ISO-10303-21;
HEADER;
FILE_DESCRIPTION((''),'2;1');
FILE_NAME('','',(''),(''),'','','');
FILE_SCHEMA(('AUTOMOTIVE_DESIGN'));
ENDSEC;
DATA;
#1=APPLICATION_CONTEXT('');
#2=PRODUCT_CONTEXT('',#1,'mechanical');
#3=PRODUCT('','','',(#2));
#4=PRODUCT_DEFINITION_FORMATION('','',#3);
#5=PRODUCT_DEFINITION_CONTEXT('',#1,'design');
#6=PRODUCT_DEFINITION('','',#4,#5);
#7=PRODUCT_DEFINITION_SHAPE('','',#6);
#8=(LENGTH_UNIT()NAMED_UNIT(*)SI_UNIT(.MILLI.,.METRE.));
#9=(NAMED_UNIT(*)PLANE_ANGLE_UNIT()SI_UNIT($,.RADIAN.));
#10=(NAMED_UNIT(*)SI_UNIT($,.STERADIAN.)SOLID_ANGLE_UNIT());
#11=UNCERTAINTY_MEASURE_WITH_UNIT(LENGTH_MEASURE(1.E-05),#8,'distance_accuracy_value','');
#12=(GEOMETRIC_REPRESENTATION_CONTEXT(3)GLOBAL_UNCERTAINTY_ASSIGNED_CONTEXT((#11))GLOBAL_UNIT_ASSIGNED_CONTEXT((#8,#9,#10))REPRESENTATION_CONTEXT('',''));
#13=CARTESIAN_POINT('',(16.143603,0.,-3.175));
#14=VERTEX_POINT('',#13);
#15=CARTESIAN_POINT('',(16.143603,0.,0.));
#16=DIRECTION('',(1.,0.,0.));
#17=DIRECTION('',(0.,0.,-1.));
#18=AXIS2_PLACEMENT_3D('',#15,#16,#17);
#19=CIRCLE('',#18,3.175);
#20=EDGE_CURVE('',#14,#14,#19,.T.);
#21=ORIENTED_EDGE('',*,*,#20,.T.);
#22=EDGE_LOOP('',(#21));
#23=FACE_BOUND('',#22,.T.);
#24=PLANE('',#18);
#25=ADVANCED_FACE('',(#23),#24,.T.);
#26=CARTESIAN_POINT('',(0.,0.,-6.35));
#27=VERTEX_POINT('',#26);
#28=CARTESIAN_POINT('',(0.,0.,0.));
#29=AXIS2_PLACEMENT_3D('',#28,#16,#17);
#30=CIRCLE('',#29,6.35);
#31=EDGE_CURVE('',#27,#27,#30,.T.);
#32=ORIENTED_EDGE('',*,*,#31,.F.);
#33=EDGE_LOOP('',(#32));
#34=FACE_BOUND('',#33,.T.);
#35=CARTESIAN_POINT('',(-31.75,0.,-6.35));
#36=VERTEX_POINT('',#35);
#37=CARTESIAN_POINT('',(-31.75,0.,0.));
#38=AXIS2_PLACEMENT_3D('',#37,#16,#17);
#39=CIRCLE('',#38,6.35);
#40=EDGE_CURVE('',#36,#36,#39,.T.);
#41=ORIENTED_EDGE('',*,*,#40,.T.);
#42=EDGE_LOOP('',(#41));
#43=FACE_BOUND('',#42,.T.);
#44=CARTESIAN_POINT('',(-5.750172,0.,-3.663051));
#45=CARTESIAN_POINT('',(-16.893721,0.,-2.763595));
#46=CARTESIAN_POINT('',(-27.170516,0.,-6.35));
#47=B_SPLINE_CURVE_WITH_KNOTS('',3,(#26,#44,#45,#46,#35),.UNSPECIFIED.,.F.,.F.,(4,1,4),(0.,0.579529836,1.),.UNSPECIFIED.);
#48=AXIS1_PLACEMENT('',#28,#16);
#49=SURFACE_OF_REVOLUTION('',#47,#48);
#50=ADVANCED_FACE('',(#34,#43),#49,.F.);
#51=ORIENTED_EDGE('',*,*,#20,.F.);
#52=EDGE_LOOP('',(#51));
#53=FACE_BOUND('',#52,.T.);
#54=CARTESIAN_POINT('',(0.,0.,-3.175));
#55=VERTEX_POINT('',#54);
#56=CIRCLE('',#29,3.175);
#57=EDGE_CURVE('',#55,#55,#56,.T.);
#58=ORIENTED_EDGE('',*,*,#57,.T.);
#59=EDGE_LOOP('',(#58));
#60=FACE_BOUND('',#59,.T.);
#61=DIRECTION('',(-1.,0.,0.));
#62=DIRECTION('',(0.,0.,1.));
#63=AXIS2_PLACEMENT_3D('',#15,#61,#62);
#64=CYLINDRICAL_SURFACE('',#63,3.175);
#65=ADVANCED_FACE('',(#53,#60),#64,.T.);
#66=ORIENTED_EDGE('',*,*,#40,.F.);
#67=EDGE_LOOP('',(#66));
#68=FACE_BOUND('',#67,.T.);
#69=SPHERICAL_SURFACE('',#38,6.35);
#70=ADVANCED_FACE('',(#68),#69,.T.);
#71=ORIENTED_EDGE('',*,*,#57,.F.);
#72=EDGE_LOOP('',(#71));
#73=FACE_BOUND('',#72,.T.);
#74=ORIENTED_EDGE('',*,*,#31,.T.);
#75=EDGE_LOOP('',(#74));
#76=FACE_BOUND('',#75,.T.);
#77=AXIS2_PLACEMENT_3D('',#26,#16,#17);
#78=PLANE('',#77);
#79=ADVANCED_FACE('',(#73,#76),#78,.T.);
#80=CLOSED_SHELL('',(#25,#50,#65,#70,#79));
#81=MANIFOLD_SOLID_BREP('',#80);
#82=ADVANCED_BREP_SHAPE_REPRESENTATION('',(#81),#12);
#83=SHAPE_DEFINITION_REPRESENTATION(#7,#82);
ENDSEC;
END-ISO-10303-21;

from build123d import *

# Parameters (mm, degrees)
SKETCH2_R           = 3.175
BOSS_EXTRUDE1_DEPTH = 16.143602728


with BuildPart() as part:
    # Sketch1 → Revolve1 (revolve)
    with BuildSketch(Plane(origin=(0, 0, 0), x_dir=(1, 0, 0), z_dir=(0, 1, 0))):
        with BuildLine():
            Line((0, 6.35), (0, 0))
            Line((0, 0), (-31.75, 0))
            Line((-31.75, 0), (-38.1, 0))
            ThreePointArc((-38.1, 0), (-36.240128061, 4.490128061), (-31.75, 6.35))
            add(Edge.make_bspline(
                [(0, 6.35), (-5.750171966, 3.663051231), (-16.893720994, 2.763594688), (-27.170516241, 6.35), (-31.75, 6.35)],
                knots=[0, 0, 0, 0, 0.579529836, 1, 1, 1, 1], degree=3))
        make_face()
    revolve(axis=Axis((0, 0, 0), (-1, 0, 0)))

    # Sketch2 → Boss-Extrude1 (add)
    with BuildSketch(Plane(origin=(0, 0, 0), x_dir=(0, 0, -1), z_dir=(1, 0, 0))):
        Circle(SKETCH2_R)
    extrude(amount=BOSS_EXTRUDE1_DEPTH)


solid = part.part
